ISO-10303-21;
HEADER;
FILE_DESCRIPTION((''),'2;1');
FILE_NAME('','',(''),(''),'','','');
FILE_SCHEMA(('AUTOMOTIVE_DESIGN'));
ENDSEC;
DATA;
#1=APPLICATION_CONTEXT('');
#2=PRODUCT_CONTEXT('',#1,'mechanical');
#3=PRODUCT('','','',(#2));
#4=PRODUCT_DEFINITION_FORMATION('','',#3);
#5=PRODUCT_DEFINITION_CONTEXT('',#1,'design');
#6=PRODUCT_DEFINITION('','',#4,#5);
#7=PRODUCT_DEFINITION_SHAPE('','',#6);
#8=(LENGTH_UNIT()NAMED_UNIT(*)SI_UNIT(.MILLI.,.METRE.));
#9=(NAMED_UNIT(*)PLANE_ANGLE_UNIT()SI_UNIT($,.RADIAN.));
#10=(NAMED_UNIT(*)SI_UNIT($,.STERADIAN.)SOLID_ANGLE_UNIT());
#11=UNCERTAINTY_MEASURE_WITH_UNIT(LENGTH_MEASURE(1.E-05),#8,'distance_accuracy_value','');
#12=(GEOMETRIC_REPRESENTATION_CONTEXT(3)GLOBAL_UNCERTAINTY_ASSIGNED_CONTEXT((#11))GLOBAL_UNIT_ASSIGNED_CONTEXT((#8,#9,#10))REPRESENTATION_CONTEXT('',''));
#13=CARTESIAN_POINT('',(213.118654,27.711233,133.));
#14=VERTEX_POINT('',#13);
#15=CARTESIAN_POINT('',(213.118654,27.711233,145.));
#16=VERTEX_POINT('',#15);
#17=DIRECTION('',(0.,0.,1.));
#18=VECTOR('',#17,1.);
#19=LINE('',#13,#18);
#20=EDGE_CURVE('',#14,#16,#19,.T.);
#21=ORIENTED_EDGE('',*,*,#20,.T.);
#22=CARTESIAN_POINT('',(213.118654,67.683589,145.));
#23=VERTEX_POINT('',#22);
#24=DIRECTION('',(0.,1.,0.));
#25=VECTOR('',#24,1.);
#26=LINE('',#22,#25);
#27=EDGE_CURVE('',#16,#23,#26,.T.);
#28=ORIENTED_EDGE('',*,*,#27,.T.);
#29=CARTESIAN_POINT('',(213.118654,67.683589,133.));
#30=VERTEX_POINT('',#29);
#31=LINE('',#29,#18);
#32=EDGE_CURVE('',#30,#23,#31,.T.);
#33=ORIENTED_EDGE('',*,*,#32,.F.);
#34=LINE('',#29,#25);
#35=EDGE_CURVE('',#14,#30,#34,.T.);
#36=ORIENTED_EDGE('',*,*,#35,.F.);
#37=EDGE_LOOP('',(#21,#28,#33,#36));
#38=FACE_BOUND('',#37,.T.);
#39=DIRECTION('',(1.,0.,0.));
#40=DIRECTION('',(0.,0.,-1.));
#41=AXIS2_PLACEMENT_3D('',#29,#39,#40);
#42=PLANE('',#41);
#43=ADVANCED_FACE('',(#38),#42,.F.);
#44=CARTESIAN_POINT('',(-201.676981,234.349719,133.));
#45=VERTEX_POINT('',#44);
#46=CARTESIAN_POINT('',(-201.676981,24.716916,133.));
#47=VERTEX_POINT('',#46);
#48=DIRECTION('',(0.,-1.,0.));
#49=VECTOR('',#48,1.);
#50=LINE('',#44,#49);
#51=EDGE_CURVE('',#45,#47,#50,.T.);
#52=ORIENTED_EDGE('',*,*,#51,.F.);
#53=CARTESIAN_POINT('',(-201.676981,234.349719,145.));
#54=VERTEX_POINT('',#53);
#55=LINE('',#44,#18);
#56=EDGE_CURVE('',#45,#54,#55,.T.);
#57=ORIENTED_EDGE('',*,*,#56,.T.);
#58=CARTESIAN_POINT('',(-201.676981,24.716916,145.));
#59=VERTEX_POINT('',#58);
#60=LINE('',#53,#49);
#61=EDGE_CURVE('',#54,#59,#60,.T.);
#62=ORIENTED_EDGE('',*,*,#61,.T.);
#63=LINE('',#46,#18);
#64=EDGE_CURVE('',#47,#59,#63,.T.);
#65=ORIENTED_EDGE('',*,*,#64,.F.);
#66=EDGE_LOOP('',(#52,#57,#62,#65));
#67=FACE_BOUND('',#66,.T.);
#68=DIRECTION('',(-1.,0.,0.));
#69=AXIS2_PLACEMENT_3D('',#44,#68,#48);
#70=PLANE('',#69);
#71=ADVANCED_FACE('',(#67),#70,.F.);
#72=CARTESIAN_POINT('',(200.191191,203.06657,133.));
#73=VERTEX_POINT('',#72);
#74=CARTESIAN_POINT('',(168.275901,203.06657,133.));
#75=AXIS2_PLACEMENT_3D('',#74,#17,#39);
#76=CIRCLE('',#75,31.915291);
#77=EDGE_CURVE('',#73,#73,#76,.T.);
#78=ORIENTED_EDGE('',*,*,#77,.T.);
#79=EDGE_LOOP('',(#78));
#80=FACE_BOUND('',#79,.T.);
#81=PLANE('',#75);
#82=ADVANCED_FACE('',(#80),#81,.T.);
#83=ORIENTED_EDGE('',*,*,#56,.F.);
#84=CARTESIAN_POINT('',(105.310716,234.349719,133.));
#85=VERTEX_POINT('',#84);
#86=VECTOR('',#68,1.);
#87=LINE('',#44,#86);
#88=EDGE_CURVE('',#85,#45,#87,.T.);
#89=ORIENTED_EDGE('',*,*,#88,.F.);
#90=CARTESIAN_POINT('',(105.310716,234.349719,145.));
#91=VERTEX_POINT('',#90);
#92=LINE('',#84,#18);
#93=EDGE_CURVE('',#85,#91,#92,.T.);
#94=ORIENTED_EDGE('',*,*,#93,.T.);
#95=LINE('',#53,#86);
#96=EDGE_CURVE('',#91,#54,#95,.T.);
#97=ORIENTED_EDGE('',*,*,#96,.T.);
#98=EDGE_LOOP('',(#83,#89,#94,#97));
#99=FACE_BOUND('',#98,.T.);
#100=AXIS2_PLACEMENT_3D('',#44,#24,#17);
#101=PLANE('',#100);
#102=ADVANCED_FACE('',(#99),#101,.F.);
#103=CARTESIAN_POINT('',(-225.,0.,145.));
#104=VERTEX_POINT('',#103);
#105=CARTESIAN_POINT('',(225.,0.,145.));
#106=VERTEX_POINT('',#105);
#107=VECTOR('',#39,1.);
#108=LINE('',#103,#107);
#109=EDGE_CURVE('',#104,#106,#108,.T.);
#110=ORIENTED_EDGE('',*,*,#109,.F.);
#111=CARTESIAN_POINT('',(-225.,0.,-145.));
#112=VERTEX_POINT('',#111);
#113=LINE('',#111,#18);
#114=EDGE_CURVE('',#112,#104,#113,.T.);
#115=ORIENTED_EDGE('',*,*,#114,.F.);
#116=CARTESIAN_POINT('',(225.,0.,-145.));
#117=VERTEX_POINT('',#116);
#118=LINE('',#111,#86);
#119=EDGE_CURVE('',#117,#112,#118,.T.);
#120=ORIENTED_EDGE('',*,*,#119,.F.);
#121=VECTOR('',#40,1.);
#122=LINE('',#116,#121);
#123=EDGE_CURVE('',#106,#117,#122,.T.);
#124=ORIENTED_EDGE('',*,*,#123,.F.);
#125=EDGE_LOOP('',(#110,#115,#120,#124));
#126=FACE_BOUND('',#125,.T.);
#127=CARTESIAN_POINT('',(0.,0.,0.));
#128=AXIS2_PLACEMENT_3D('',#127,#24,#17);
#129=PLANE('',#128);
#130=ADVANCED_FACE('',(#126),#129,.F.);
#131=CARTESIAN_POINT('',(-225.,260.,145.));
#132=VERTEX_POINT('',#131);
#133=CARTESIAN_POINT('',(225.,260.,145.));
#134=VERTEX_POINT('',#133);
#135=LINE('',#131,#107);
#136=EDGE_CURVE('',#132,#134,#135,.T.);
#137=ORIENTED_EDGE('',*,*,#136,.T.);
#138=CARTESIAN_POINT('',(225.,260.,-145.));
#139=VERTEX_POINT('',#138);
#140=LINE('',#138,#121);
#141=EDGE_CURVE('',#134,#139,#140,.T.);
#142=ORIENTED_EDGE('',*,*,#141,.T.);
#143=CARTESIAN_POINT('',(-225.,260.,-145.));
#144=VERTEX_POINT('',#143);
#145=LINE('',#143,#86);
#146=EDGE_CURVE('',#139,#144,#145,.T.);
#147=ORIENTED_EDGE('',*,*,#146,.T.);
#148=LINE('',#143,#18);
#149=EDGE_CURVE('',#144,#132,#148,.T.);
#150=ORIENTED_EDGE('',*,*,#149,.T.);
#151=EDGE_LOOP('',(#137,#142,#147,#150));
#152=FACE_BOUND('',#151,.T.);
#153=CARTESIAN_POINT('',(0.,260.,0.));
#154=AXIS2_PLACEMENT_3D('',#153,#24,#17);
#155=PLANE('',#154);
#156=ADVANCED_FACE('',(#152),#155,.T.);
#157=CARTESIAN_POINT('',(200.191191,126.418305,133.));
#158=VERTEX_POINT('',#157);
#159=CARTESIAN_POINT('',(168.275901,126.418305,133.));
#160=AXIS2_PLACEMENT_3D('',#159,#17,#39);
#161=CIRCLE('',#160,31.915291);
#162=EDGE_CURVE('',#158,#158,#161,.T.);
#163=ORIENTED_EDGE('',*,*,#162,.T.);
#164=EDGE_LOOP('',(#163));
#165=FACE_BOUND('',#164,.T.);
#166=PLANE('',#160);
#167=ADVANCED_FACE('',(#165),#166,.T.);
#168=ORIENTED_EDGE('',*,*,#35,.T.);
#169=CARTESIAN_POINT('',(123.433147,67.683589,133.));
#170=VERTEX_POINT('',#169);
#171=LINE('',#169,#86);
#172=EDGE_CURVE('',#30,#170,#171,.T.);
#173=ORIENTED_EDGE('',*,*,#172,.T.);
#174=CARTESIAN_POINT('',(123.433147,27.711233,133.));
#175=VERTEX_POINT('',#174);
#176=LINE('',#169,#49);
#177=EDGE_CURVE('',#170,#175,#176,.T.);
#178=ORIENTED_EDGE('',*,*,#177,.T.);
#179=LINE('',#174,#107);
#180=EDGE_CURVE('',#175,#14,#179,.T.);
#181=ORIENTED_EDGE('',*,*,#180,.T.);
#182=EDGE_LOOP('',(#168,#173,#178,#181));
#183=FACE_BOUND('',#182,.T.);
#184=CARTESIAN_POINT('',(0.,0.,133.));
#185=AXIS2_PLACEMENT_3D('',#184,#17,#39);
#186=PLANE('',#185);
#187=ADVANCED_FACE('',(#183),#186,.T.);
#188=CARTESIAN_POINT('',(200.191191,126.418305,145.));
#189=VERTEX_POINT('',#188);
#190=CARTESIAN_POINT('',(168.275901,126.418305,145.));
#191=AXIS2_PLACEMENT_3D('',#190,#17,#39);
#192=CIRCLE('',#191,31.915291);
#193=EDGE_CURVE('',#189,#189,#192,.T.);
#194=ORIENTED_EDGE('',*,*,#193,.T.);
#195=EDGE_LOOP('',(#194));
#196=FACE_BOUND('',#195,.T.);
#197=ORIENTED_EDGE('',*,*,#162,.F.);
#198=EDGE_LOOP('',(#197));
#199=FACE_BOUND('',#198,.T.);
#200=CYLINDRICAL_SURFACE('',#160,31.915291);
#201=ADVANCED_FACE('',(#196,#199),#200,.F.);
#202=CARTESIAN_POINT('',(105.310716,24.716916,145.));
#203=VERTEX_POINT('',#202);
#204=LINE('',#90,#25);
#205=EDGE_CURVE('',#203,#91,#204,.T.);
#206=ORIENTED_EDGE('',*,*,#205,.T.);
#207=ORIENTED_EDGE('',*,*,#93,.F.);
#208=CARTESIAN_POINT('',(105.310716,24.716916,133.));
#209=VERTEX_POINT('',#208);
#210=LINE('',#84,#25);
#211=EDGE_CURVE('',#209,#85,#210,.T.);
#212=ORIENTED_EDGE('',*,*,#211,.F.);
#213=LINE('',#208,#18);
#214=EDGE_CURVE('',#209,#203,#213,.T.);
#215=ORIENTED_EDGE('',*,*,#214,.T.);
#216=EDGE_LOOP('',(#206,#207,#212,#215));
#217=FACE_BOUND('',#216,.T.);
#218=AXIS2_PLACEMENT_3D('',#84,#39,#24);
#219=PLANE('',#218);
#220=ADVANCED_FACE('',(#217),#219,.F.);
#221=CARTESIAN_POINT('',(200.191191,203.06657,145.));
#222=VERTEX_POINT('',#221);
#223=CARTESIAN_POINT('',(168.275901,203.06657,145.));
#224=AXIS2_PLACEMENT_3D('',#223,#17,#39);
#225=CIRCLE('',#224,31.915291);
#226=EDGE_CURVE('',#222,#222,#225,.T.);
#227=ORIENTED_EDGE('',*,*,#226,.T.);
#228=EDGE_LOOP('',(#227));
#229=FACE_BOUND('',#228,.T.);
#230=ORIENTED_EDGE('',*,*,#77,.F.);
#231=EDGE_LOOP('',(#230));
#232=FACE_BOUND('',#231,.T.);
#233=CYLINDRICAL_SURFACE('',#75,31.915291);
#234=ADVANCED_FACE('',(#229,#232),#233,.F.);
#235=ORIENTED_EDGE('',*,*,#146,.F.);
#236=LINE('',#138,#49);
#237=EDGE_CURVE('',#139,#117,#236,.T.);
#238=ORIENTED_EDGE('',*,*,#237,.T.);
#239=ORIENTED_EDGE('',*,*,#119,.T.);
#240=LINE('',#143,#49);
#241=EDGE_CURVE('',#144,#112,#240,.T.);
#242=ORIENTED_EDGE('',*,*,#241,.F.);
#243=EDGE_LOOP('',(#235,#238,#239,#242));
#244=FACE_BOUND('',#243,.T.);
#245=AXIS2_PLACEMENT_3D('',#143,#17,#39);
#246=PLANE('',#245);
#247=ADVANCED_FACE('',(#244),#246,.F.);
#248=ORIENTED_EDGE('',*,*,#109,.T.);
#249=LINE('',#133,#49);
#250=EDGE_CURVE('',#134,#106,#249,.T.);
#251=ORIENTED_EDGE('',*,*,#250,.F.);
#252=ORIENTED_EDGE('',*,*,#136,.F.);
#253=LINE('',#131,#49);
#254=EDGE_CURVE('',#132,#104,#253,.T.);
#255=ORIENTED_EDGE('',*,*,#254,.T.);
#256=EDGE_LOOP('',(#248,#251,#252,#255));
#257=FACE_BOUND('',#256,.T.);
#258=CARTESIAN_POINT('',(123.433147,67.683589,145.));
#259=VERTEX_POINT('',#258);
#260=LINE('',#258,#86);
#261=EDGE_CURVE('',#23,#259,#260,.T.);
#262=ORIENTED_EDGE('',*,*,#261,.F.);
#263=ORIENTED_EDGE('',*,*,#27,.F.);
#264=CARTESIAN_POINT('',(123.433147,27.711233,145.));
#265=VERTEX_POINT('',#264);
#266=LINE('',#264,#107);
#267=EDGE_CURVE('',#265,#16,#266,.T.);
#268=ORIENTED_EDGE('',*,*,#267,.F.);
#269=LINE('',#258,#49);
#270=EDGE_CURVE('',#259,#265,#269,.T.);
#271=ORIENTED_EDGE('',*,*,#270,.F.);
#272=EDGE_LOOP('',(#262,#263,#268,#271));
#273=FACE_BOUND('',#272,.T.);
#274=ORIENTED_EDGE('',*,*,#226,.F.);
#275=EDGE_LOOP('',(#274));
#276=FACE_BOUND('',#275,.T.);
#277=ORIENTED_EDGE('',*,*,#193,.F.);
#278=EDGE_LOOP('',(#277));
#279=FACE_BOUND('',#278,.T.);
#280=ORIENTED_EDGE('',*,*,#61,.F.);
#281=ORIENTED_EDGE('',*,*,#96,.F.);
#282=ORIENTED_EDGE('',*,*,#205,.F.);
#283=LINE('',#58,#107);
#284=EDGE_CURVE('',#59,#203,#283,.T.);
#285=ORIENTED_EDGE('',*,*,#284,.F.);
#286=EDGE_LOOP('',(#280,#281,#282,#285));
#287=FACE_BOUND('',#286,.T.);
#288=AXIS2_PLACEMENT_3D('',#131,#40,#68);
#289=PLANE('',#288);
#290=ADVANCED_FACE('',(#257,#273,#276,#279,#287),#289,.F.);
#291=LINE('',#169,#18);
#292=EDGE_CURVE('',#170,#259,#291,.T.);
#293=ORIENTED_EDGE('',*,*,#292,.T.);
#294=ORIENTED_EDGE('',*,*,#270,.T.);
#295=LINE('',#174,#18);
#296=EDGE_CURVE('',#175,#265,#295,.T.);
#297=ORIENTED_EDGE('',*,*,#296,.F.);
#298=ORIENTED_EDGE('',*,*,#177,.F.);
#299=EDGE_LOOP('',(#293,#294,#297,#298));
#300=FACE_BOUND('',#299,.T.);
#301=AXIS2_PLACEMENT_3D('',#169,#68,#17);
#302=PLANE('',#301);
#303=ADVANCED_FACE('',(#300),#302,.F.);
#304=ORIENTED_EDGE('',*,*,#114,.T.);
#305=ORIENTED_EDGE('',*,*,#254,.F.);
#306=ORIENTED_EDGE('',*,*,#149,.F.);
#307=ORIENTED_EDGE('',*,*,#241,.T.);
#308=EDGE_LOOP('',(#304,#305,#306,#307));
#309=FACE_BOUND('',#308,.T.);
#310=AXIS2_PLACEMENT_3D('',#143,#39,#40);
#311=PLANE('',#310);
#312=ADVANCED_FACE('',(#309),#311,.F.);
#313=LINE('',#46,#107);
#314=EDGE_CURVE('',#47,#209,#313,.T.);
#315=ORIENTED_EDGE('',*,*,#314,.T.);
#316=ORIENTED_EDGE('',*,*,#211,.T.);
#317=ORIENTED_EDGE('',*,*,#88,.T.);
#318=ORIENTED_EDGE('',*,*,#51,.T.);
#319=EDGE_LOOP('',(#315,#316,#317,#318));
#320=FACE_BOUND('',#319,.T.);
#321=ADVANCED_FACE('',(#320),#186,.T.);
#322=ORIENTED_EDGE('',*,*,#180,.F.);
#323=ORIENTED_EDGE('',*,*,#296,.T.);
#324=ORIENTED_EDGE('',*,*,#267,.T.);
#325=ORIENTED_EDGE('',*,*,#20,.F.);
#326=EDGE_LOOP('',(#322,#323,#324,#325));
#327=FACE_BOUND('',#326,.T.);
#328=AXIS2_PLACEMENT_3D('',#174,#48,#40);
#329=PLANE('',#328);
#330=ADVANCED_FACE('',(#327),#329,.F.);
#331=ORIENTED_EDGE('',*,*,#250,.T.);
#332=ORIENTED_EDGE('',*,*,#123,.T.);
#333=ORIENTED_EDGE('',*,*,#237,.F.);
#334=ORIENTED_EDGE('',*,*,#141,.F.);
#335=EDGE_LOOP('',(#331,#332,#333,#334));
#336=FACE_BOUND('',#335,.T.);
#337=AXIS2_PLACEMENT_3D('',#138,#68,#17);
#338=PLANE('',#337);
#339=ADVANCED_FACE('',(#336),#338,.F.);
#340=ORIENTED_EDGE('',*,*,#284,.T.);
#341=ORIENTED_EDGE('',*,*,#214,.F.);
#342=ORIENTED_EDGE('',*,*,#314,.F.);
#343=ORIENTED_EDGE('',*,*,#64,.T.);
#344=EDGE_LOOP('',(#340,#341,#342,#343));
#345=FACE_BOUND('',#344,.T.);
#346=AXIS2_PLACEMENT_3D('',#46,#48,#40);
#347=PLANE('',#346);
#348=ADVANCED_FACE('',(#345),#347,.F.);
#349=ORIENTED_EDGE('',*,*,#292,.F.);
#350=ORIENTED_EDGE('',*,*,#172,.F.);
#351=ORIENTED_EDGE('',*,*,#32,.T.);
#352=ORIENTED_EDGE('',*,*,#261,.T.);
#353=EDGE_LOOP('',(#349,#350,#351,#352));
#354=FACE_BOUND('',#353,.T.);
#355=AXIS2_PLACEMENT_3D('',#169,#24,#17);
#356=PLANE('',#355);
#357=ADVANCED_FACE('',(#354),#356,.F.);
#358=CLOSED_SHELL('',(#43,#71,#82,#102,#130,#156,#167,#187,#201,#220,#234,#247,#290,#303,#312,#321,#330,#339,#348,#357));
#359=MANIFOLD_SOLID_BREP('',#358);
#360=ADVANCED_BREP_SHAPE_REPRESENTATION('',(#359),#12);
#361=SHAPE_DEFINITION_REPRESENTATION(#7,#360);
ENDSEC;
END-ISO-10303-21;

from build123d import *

# Parameters (mm, degrees)
SKETCH1_W           = 450
SKETCH1_H           = 290
BOSS_EXTRUDE1_DEPTH = 260
SKETCH2_R           = 31.915290565
SKETCH2_W           = 89.685507292
SKETCH2_H           = 39.972356382
SKETCH2_W_2         = 306.987697012
SKETCH2_H_2         = 209.632802358
CUT_EXTRUDE1_DEPTH  = 12


with BuildPart() as part:
    # Sketch1 → Boss-Extrude1 (new body)
    with BuildSketch(Plane(origin=(0, 0, 0), x_dir=(1, 0, 0), z_dir=(0, 1, 0))):
        Rectangle(SKETCH1_W, SKETCH1_H)
    extrude(amount=BOSS_EXTRUDE1_DEPTH)

    # Sketch2 → Cut-Extrude1 (cut)
    with BuildSketch(Plane.XY.offset(145)):
        with Locations((168.275900741, 203.066569732)):
            Circle(SKETCH2_R)
        with Locations((168.275900741, 126.418305405)):
            Circle(SKETCH2_R)
        with Locations((168.275900741, 47.697411123)):
            Rectangle(SKETCH2_W, SKETCH2_H)
        with Locations((-48.183132642, 129.533317372)):
            Rectangle(SKETCH2_W_2, SKETCH2_H_2)
    extrude(amount=-CUT_EXTRUDE1_DEPTH, mode=Mode.SUBTRACT)


solid = part.part
